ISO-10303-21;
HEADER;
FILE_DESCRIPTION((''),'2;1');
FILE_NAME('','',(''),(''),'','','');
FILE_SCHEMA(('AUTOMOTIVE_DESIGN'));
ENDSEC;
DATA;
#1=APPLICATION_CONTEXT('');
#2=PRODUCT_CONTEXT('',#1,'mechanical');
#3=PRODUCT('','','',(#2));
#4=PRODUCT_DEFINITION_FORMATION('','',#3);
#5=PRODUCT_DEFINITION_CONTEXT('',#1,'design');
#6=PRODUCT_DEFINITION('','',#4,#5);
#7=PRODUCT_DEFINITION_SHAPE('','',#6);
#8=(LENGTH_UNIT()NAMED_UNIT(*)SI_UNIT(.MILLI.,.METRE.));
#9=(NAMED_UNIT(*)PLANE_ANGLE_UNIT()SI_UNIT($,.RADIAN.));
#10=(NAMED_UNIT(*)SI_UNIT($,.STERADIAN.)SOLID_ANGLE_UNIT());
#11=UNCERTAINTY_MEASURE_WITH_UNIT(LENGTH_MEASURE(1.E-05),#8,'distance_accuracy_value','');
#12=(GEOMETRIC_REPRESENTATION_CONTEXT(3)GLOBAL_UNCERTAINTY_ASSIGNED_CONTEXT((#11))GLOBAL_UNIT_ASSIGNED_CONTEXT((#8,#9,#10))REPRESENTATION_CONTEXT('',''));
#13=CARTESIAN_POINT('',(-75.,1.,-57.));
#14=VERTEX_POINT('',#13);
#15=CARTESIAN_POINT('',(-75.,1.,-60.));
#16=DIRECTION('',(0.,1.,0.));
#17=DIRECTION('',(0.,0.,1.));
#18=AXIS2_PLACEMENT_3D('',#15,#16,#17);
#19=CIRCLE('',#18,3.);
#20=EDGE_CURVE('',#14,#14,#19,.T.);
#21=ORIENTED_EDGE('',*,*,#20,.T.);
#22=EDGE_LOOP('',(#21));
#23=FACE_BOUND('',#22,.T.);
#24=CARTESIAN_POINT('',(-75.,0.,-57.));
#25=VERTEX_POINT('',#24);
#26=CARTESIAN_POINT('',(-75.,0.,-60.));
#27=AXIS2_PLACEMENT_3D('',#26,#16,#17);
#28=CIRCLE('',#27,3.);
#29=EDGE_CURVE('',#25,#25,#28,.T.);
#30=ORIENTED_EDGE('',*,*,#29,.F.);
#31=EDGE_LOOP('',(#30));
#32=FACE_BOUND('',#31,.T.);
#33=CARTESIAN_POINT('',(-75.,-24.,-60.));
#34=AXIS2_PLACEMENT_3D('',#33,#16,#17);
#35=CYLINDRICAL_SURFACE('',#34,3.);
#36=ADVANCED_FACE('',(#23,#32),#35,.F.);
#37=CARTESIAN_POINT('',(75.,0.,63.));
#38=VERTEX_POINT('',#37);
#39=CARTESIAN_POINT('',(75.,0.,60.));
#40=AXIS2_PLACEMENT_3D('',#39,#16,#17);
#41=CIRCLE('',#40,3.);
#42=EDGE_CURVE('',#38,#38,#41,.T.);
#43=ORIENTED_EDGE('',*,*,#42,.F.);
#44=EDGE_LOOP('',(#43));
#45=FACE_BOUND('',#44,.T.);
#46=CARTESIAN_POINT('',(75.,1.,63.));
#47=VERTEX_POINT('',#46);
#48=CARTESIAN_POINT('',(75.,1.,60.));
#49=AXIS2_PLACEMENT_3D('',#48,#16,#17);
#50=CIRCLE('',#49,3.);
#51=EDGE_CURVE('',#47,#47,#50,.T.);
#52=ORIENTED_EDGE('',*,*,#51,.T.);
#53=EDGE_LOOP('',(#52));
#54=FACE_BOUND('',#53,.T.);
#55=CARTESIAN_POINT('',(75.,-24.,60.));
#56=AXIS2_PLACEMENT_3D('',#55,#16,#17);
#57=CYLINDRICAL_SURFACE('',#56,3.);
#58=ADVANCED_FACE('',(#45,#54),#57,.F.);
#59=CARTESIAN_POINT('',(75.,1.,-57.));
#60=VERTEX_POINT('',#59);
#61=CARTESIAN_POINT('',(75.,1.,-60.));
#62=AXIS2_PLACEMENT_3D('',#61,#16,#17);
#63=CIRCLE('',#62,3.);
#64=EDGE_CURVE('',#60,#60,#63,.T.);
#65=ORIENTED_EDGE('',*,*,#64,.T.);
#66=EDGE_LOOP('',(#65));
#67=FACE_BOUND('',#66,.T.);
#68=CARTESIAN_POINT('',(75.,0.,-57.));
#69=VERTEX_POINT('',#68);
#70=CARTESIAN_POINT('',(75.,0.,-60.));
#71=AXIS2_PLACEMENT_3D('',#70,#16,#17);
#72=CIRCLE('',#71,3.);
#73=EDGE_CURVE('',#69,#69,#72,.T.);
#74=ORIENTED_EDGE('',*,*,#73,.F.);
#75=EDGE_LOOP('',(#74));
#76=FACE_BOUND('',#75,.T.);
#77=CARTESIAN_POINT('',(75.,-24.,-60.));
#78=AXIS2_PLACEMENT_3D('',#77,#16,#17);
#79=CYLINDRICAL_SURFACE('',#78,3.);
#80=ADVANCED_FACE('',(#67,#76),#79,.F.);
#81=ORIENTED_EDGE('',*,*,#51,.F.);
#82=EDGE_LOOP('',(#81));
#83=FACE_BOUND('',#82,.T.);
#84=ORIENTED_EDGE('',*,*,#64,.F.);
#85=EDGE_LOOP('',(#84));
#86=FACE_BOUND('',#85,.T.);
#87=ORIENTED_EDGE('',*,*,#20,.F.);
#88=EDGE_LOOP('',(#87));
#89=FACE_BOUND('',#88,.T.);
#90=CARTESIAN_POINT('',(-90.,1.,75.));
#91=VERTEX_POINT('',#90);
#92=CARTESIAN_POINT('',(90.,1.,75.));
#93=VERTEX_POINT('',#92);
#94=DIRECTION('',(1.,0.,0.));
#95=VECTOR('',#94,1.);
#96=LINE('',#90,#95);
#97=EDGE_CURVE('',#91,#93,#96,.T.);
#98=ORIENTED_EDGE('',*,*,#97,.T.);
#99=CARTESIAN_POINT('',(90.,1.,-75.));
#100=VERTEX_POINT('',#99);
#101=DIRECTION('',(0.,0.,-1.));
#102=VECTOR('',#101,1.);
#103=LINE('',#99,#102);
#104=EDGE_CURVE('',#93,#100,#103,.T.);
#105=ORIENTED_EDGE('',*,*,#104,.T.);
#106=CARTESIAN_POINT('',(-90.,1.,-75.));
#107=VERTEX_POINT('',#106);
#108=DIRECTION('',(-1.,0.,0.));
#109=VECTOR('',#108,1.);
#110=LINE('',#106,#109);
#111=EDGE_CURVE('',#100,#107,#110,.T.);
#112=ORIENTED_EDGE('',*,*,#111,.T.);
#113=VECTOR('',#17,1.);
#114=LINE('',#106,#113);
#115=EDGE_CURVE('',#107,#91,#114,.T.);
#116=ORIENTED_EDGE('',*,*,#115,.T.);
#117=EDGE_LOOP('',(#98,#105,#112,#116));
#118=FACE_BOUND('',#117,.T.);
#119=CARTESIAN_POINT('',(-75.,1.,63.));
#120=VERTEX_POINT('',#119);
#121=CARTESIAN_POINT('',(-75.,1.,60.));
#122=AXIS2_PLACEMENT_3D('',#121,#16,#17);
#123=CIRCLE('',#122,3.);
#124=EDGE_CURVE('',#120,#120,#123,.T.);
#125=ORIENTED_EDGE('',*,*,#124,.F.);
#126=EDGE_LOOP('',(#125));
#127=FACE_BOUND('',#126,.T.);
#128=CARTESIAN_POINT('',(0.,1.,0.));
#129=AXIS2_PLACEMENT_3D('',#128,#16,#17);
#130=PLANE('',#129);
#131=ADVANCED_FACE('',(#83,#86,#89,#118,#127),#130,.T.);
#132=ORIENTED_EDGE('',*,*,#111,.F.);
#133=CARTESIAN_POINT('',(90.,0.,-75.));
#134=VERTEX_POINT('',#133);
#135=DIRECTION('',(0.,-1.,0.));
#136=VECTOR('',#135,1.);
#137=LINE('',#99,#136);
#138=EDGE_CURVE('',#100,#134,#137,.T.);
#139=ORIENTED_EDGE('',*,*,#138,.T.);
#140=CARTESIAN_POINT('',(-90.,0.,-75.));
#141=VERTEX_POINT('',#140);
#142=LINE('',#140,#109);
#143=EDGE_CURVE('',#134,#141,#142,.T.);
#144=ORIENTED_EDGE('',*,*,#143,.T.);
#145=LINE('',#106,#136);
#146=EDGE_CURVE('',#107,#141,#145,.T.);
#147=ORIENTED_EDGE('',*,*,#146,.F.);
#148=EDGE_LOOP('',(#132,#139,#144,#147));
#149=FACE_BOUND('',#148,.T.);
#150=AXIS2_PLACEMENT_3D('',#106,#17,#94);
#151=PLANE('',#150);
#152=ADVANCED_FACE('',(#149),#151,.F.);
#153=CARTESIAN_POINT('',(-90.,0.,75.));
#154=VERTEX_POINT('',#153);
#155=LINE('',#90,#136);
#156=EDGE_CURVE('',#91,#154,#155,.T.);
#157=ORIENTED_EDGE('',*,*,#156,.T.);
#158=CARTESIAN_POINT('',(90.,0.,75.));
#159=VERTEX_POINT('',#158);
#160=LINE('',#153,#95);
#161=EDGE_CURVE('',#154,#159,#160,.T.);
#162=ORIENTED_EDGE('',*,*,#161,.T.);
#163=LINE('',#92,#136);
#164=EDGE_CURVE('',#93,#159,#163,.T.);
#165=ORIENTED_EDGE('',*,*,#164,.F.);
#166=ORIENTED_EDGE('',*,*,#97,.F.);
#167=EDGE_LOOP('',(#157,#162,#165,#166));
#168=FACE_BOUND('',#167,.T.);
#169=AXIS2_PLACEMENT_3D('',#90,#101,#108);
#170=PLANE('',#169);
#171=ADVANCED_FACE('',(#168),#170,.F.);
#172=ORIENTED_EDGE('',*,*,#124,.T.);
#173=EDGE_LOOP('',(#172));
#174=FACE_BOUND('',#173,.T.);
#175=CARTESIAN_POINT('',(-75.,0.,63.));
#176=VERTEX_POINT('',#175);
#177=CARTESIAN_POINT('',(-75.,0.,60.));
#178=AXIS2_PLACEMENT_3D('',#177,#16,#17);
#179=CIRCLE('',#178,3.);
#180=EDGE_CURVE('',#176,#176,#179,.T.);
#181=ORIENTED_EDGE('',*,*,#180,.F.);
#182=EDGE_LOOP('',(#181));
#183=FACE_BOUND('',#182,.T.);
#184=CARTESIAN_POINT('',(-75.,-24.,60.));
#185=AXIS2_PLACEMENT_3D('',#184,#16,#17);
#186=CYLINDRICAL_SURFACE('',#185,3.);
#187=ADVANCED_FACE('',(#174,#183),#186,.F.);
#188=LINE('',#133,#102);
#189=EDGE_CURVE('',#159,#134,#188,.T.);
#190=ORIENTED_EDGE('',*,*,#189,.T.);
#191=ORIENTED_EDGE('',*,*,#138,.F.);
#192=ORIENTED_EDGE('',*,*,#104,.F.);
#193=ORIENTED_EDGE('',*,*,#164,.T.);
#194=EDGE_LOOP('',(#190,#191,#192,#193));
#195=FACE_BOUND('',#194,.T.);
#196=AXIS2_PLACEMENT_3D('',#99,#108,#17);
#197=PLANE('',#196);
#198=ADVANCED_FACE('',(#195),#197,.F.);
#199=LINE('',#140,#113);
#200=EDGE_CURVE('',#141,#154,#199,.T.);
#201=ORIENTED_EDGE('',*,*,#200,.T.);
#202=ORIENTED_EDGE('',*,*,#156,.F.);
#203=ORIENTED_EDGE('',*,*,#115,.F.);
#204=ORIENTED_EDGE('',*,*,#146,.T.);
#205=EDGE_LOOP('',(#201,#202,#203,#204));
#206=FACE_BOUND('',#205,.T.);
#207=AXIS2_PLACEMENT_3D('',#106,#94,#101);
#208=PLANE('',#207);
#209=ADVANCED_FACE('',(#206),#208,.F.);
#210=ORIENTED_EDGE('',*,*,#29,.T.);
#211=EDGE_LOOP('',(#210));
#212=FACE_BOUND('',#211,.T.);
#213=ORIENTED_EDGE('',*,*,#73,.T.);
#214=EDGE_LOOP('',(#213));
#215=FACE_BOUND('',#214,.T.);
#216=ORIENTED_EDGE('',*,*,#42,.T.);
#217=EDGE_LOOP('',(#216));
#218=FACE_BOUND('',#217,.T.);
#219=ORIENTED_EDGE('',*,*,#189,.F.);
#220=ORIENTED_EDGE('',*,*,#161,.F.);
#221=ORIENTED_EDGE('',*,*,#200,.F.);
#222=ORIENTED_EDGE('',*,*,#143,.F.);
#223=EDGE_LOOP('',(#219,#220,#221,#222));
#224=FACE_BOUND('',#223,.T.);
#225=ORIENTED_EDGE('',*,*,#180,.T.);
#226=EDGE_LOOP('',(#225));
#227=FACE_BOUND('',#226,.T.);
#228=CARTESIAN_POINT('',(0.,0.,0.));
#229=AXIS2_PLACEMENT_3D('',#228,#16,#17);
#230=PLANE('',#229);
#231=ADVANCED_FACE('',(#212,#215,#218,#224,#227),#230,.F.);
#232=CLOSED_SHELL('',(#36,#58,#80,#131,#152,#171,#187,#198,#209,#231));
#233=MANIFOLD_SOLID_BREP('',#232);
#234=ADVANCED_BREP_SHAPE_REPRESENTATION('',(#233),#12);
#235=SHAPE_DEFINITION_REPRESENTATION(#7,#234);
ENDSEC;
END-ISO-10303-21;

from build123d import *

# Parameters (mm, degrees)
IZIM1_W                     = 180
IZIM1_H                     = 150
Y_KSEKLIK_EKSTR_ZYON1_DEPTH = 1
IZIM2_R                     = 3
KES_EKSTR_ZYON1_DEPTH       = 25


with BuildPart() as part:
    # Çizim1 → Yükseklik-Ekstrüzyon1 (new body)
    with BuildSketch(Plane(origin=(0, 0, 0), x_dir=(1, 0, 0), z_dir=(0, 1, 0))):
        Rectangle(IZIM1_W, IZIM1_H)
    extrude(amount=Y_KSEKLIK_EKSTR_ZYON1_DEPTH)

    # Çizim2 → Kes-Ekstrüzyon1 (cut, symmetric)
    with BuildSketch(Plane(origin=(0, 1, 0), x_dir=(1, 0, 0), z_dir=(0, 1, 0))):
        with Locations(Location((-75, 60, 0), (0, 0, 270))):
            Circle(IZIM2_R)
        with Locations(Location((75, 60, 0), (0, 0, 270))):
            Circle(IZIM2_R)
        with Locations(Location((75, -60, 0), (0, 0, 270))):
            Circle(IZIM2_R)
        with Locations(Location((-75, -60, 0), (0, 0, 270))):
            Circle(IZIM2_R)
    extrude(amount=KES_EKSTR_ZYON1_DEPTH, both=True, mode=Mode.SUBTRACT)


solid = part.part
